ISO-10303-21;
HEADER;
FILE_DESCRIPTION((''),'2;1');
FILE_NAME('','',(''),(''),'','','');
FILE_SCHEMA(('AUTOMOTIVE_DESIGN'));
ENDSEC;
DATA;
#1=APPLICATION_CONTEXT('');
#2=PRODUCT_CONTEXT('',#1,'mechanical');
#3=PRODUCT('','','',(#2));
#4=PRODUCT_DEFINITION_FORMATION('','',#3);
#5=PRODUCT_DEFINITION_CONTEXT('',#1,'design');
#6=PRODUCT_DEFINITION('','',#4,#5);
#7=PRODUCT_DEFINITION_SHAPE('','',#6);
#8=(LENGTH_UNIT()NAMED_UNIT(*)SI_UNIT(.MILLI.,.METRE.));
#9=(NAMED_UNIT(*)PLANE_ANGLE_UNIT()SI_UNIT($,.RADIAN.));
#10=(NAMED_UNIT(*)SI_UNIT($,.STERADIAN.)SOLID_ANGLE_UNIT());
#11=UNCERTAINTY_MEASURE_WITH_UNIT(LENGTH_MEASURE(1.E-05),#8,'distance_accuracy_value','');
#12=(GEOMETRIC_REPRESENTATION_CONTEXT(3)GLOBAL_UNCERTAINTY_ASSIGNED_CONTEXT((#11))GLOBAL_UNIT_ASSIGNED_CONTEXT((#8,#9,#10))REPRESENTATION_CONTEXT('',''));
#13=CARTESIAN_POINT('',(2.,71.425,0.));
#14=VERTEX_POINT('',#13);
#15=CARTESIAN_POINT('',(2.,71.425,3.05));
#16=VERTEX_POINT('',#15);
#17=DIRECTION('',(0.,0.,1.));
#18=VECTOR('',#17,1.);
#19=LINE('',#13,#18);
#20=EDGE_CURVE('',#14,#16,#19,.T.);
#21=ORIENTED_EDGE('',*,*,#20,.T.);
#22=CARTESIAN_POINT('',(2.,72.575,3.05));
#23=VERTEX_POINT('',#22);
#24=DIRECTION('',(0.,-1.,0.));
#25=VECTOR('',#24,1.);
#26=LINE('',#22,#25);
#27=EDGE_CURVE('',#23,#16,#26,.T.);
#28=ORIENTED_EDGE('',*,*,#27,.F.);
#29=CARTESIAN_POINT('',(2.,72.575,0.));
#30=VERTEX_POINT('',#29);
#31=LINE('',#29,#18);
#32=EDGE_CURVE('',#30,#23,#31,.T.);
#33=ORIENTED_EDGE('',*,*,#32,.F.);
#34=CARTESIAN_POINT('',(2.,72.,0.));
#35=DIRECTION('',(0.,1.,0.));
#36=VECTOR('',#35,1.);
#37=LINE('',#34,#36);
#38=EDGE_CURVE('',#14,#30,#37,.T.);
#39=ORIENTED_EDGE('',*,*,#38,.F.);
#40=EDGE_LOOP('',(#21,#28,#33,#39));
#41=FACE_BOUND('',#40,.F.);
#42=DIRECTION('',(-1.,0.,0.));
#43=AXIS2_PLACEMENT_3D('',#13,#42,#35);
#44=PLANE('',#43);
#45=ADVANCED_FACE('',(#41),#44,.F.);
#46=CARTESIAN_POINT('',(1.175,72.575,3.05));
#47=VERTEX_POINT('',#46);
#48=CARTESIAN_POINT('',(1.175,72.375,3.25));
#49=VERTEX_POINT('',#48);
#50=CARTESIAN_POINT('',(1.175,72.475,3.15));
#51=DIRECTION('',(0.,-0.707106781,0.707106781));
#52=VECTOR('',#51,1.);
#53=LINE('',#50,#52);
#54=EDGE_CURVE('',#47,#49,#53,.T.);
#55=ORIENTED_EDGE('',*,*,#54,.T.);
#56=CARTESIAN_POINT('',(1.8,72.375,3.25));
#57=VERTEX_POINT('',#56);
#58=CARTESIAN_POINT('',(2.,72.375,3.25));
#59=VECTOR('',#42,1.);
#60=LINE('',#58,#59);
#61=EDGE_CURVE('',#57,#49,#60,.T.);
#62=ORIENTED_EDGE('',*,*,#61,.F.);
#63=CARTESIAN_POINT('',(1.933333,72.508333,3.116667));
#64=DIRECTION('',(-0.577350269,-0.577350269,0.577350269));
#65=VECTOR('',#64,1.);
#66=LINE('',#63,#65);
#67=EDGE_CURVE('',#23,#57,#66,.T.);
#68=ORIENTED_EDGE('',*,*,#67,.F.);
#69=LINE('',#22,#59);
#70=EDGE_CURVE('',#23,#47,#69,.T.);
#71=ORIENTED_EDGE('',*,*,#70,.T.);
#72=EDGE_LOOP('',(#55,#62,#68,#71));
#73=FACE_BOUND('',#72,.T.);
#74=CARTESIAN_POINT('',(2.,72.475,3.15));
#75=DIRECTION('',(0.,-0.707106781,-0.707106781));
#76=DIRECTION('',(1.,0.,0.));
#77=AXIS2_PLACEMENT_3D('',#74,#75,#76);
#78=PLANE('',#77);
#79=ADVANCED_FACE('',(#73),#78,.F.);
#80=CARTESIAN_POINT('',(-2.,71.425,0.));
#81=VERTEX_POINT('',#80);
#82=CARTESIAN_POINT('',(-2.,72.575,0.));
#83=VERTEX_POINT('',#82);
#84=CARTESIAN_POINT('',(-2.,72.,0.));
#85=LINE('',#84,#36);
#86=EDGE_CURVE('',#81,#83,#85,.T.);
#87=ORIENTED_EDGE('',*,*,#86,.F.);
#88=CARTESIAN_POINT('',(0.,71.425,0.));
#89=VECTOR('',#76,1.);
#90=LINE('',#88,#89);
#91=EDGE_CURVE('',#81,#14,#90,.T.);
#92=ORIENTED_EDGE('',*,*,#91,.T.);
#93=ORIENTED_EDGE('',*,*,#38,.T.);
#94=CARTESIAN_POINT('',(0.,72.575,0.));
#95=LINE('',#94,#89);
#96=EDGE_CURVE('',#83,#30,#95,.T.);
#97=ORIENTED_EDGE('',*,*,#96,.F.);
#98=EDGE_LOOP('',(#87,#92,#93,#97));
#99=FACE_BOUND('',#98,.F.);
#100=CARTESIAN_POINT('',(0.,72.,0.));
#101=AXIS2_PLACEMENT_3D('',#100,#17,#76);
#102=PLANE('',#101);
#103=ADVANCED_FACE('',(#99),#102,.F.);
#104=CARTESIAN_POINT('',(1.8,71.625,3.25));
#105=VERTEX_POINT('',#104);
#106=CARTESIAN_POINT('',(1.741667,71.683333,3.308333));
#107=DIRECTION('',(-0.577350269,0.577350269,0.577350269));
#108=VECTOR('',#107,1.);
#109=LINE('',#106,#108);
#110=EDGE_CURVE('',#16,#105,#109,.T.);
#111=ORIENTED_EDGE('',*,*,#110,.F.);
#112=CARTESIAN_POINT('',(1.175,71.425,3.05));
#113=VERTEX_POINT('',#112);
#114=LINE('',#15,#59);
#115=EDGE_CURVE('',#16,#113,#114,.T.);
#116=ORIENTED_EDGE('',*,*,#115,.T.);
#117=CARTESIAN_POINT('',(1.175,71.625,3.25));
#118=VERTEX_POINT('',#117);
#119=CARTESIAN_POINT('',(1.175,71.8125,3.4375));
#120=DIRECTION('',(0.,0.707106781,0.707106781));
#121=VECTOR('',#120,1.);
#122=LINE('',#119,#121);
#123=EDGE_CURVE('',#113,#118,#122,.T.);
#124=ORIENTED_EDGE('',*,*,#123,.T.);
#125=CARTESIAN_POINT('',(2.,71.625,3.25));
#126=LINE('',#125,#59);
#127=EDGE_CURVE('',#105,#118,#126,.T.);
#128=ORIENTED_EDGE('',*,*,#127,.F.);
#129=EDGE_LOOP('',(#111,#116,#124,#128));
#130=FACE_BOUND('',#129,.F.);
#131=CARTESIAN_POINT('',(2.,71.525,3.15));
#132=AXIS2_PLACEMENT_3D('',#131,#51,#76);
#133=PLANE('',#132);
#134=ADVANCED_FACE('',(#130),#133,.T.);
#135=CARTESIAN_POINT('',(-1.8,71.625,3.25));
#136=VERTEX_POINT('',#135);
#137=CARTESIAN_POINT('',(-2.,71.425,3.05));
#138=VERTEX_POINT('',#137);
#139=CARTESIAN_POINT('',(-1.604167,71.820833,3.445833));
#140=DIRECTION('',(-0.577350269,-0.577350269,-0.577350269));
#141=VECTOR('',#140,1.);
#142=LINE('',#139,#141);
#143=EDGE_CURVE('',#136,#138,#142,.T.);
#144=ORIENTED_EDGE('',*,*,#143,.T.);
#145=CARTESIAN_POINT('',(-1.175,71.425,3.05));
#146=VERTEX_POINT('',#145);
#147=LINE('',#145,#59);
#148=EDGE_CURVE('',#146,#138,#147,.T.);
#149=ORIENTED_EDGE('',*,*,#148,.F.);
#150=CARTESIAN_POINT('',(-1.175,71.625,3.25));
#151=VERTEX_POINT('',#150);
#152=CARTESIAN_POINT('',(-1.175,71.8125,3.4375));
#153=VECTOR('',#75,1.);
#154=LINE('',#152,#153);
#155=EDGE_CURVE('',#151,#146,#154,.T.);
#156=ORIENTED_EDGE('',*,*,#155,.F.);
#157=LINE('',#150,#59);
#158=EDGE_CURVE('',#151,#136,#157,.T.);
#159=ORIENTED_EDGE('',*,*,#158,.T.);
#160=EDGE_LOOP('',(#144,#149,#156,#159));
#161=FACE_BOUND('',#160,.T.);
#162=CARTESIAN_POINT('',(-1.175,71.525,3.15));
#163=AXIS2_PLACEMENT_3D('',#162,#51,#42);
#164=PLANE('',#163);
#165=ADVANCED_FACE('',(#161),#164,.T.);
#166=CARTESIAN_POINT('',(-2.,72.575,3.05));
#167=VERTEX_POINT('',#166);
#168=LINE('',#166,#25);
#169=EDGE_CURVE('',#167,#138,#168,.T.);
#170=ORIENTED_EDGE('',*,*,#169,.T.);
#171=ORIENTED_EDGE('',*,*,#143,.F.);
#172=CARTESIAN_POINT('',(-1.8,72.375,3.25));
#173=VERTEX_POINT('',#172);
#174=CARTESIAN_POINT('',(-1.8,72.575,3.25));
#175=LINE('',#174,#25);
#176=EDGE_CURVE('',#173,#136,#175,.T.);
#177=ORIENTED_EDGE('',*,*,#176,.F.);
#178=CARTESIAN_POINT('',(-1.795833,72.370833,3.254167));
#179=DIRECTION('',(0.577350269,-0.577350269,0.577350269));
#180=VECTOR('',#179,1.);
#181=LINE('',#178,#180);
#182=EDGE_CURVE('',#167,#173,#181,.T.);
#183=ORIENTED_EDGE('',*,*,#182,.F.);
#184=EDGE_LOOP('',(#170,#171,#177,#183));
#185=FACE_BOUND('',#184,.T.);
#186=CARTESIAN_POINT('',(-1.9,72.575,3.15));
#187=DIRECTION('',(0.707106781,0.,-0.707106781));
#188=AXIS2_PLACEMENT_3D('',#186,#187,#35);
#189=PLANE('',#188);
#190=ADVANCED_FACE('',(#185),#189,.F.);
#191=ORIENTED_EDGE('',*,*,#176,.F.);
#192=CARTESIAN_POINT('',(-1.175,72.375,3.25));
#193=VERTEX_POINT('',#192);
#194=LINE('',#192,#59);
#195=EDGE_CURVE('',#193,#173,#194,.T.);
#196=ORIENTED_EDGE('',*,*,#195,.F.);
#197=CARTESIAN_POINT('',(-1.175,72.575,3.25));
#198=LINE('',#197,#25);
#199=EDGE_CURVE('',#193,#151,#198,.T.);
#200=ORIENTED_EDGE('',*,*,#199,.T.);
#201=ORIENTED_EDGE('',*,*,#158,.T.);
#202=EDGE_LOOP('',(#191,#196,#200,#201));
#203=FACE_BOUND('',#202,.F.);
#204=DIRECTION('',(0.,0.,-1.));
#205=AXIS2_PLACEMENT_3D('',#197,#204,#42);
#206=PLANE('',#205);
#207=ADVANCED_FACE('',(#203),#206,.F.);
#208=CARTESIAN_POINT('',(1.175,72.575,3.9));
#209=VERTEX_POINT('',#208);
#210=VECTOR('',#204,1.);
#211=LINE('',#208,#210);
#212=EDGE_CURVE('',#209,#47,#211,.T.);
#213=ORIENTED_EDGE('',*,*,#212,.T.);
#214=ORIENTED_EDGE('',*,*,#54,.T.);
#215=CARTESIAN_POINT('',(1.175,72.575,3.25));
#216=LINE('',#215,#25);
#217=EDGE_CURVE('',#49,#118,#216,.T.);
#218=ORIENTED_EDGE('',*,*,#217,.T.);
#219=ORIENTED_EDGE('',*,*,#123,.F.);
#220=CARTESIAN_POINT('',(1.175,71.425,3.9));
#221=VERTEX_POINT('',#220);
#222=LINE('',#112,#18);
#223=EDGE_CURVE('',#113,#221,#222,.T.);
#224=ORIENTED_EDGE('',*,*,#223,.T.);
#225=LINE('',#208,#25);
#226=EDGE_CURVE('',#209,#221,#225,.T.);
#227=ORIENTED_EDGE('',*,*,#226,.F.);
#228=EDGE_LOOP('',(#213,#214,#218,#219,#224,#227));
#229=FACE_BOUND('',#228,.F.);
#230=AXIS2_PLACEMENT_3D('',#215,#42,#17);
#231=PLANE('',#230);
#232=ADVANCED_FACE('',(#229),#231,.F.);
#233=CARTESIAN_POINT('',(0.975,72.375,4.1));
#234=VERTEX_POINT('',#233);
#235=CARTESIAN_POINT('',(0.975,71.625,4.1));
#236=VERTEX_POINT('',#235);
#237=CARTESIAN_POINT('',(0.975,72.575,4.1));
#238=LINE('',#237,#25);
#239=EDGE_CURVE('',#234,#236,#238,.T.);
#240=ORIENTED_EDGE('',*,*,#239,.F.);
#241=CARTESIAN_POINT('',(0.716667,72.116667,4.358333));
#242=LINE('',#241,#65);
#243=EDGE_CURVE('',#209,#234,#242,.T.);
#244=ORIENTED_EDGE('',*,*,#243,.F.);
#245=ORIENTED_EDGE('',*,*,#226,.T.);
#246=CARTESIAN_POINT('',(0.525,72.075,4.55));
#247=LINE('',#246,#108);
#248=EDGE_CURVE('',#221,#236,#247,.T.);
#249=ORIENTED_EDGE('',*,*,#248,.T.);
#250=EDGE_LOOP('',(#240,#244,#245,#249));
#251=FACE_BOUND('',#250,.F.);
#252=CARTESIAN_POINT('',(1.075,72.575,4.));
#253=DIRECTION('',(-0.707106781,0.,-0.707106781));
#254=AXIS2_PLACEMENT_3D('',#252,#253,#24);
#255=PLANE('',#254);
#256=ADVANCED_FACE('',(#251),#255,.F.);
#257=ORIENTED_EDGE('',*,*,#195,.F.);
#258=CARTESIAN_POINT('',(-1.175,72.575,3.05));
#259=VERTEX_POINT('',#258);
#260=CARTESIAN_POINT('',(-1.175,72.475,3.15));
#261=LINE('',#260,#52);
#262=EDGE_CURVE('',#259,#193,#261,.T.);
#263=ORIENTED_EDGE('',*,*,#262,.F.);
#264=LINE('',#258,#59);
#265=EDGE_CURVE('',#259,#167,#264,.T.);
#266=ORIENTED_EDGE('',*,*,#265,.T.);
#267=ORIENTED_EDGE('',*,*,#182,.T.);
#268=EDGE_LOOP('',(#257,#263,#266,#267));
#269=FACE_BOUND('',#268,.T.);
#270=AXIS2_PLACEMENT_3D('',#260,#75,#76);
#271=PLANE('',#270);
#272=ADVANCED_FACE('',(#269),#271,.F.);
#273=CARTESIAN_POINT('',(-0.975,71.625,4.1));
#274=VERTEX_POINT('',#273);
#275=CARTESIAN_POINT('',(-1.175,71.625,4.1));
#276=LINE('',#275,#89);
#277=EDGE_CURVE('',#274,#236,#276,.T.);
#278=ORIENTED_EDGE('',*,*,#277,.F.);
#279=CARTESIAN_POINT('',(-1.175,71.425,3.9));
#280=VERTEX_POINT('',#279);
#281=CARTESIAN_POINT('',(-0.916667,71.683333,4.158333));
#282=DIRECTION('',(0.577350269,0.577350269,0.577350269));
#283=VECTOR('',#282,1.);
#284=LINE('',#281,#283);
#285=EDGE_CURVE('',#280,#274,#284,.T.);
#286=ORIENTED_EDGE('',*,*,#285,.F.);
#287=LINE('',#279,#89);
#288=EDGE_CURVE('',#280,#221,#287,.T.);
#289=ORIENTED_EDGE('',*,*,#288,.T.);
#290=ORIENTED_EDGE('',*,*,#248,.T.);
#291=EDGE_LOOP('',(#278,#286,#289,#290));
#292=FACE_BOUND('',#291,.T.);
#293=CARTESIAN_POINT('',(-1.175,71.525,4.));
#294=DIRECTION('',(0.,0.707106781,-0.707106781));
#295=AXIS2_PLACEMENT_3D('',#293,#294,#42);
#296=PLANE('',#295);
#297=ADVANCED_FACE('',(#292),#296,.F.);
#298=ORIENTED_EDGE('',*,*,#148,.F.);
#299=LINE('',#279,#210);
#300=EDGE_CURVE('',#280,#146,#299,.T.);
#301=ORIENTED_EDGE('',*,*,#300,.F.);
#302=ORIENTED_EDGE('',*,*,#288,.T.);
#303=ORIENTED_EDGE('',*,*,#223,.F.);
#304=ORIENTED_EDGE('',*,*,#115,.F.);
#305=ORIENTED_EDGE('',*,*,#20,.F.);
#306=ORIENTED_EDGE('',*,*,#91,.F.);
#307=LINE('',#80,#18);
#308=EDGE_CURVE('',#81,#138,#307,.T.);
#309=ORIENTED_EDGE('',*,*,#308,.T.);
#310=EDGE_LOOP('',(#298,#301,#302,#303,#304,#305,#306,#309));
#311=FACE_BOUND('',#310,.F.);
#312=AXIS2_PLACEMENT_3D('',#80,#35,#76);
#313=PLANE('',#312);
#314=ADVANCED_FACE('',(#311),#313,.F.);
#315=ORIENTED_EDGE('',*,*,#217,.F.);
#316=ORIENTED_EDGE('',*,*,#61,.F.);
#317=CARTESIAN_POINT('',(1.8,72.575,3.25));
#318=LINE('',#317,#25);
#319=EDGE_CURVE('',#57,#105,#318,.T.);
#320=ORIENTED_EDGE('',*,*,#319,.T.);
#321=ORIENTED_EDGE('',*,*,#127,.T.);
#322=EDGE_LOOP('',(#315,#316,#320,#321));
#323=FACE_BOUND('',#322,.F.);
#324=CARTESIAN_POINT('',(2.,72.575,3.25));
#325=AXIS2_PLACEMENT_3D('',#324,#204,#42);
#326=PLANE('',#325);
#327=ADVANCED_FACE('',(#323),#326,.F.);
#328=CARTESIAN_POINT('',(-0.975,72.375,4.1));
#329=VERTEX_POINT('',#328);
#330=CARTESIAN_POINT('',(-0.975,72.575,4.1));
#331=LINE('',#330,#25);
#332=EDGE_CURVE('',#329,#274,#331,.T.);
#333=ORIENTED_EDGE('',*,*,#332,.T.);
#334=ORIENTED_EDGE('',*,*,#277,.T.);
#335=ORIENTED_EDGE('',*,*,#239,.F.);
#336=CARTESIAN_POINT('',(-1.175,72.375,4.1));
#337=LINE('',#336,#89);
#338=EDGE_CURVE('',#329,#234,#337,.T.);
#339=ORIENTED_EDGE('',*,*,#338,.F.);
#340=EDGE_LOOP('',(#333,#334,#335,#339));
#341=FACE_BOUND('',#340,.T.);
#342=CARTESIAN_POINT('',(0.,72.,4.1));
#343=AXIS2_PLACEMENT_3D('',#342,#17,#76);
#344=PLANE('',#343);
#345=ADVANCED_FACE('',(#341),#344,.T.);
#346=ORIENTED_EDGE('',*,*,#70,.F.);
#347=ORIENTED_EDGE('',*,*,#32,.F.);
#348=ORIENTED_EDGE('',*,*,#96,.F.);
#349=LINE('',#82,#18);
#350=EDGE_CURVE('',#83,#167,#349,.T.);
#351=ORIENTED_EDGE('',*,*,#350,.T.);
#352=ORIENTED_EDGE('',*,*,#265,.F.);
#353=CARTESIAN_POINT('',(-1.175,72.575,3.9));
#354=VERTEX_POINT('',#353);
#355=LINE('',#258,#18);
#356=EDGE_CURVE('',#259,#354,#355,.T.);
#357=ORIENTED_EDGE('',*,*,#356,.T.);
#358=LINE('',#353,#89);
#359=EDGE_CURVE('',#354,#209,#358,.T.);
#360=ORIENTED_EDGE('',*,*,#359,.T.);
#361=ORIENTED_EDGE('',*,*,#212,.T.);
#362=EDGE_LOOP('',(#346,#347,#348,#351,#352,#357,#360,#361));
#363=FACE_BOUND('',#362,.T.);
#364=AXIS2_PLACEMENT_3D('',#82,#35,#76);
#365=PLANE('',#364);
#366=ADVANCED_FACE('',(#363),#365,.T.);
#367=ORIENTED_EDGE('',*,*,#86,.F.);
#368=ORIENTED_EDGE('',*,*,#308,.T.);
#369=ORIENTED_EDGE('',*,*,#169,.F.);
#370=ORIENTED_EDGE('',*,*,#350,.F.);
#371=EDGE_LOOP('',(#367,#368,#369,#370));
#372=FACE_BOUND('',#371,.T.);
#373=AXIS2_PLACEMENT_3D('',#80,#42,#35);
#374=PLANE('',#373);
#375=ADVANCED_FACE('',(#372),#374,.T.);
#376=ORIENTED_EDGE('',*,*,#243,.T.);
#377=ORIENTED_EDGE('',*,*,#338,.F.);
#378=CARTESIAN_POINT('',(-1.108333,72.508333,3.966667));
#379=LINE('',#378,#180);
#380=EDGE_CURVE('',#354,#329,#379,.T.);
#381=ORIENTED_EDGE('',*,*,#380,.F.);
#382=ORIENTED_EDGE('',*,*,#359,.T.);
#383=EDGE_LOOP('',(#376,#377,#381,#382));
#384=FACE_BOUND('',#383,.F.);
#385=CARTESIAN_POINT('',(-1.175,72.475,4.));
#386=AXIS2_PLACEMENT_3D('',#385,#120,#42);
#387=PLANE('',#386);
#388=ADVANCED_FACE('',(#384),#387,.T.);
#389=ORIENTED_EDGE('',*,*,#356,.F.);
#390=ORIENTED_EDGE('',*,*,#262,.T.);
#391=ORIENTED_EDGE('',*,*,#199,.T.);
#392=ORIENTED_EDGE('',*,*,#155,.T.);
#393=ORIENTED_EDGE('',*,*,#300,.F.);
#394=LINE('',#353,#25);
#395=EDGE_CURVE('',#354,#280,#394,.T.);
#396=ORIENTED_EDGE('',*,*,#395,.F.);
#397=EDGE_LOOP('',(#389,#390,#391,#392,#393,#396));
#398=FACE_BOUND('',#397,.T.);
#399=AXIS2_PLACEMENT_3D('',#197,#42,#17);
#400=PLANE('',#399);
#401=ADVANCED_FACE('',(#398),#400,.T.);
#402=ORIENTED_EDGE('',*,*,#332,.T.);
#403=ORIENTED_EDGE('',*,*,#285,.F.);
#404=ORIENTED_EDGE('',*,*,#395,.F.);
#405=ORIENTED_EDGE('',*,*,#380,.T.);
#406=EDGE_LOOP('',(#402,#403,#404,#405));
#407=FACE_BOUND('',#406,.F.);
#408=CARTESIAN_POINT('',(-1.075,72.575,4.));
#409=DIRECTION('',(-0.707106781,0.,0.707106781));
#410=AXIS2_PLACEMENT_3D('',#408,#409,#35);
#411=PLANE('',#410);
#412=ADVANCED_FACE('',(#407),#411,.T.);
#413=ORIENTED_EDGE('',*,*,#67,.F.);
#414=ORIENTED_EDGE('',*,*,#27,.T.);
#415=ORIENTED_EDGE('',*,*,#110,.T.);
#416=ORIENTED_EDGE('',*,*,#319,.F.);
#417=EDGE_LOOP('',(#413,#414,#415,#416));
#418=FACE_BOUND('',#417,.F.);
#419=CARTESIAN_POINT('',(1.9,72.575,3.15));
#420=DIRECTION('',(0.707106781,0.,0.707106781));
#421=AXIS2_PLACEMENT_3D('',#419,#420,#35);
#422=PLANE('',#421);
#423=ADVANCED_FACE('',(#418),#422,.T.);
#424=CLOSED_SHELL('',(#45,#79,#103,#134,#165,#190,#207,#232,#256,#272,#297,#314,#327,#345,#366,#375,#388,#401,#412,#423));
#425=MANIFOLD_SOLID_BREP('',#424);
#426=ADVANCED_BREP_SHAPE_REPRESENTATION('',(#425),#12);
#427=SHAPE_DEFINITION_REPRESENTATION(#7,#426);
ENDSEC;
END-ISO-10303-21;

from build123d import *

# Parameters (mm, degrees)
SKETCH008_W     = 4
SKETCH008_H     = 1.15
PAD005_DEPTH    = 4.1
SKETCH009_W     = 0.825
SKETCH009_H     = 0.85
POCKET002_DEPTH = 5
CHAMFER005_SIZE = 0.2


with BuildPart() as part:
    # Sketch008 → Pad005 (new body)
    with BuildSketch(Plane.XY):
        Rectangle(SKETCH008_W, SKETCH008_H)
    extrude(amount=PAD005_DEPTH)

    # Sketch009 (on Face1 of Pad005) → Pocket002 (cut)
    with BuildSketch(Plane(origin=(0, 0.575, 0), x_dir=(-1, 0, 0), z_dir=(0, 1, 0))):
        with Locations((-1.5875, 3.675)):
            Rectangle(SKETCH009_W, SKETCH009_H)
        with Locations((1.5875, 3.675)):
            Rectangle(SKETCH009_W, SKETCH009_H)
    extrude(amount=-POCKET002_DEPTH, mode=Mode.SUBTRACT)

    # Chamfer005
    chamfer005_edges = [part.edges().sort_by_distance(p)[0] for p in [
        (0, 0.575, 4.1),
        (0, -0.575, 4.1),
        (1.5875, 0.575, 3.25),
        (-1.5875, 0.575, 3.25),
        (-1.5875, -0.575, 3.25),
        (1.5875, -0.575, 3.25),
        (2, 0, 3.25),
        (-2, 0, 3.25),
        (1.175, 0, 4.1),
        (-1.175, 0, 4.1),
    ]]
    chamfer(chamfer005_edges, length=CHAMFER005_SIZE)


with BuildPart() as part_1:
    # Body046 placement: moved
    add(part.part.moved(Location((0, 72, 0))))


solid = part_1.part
